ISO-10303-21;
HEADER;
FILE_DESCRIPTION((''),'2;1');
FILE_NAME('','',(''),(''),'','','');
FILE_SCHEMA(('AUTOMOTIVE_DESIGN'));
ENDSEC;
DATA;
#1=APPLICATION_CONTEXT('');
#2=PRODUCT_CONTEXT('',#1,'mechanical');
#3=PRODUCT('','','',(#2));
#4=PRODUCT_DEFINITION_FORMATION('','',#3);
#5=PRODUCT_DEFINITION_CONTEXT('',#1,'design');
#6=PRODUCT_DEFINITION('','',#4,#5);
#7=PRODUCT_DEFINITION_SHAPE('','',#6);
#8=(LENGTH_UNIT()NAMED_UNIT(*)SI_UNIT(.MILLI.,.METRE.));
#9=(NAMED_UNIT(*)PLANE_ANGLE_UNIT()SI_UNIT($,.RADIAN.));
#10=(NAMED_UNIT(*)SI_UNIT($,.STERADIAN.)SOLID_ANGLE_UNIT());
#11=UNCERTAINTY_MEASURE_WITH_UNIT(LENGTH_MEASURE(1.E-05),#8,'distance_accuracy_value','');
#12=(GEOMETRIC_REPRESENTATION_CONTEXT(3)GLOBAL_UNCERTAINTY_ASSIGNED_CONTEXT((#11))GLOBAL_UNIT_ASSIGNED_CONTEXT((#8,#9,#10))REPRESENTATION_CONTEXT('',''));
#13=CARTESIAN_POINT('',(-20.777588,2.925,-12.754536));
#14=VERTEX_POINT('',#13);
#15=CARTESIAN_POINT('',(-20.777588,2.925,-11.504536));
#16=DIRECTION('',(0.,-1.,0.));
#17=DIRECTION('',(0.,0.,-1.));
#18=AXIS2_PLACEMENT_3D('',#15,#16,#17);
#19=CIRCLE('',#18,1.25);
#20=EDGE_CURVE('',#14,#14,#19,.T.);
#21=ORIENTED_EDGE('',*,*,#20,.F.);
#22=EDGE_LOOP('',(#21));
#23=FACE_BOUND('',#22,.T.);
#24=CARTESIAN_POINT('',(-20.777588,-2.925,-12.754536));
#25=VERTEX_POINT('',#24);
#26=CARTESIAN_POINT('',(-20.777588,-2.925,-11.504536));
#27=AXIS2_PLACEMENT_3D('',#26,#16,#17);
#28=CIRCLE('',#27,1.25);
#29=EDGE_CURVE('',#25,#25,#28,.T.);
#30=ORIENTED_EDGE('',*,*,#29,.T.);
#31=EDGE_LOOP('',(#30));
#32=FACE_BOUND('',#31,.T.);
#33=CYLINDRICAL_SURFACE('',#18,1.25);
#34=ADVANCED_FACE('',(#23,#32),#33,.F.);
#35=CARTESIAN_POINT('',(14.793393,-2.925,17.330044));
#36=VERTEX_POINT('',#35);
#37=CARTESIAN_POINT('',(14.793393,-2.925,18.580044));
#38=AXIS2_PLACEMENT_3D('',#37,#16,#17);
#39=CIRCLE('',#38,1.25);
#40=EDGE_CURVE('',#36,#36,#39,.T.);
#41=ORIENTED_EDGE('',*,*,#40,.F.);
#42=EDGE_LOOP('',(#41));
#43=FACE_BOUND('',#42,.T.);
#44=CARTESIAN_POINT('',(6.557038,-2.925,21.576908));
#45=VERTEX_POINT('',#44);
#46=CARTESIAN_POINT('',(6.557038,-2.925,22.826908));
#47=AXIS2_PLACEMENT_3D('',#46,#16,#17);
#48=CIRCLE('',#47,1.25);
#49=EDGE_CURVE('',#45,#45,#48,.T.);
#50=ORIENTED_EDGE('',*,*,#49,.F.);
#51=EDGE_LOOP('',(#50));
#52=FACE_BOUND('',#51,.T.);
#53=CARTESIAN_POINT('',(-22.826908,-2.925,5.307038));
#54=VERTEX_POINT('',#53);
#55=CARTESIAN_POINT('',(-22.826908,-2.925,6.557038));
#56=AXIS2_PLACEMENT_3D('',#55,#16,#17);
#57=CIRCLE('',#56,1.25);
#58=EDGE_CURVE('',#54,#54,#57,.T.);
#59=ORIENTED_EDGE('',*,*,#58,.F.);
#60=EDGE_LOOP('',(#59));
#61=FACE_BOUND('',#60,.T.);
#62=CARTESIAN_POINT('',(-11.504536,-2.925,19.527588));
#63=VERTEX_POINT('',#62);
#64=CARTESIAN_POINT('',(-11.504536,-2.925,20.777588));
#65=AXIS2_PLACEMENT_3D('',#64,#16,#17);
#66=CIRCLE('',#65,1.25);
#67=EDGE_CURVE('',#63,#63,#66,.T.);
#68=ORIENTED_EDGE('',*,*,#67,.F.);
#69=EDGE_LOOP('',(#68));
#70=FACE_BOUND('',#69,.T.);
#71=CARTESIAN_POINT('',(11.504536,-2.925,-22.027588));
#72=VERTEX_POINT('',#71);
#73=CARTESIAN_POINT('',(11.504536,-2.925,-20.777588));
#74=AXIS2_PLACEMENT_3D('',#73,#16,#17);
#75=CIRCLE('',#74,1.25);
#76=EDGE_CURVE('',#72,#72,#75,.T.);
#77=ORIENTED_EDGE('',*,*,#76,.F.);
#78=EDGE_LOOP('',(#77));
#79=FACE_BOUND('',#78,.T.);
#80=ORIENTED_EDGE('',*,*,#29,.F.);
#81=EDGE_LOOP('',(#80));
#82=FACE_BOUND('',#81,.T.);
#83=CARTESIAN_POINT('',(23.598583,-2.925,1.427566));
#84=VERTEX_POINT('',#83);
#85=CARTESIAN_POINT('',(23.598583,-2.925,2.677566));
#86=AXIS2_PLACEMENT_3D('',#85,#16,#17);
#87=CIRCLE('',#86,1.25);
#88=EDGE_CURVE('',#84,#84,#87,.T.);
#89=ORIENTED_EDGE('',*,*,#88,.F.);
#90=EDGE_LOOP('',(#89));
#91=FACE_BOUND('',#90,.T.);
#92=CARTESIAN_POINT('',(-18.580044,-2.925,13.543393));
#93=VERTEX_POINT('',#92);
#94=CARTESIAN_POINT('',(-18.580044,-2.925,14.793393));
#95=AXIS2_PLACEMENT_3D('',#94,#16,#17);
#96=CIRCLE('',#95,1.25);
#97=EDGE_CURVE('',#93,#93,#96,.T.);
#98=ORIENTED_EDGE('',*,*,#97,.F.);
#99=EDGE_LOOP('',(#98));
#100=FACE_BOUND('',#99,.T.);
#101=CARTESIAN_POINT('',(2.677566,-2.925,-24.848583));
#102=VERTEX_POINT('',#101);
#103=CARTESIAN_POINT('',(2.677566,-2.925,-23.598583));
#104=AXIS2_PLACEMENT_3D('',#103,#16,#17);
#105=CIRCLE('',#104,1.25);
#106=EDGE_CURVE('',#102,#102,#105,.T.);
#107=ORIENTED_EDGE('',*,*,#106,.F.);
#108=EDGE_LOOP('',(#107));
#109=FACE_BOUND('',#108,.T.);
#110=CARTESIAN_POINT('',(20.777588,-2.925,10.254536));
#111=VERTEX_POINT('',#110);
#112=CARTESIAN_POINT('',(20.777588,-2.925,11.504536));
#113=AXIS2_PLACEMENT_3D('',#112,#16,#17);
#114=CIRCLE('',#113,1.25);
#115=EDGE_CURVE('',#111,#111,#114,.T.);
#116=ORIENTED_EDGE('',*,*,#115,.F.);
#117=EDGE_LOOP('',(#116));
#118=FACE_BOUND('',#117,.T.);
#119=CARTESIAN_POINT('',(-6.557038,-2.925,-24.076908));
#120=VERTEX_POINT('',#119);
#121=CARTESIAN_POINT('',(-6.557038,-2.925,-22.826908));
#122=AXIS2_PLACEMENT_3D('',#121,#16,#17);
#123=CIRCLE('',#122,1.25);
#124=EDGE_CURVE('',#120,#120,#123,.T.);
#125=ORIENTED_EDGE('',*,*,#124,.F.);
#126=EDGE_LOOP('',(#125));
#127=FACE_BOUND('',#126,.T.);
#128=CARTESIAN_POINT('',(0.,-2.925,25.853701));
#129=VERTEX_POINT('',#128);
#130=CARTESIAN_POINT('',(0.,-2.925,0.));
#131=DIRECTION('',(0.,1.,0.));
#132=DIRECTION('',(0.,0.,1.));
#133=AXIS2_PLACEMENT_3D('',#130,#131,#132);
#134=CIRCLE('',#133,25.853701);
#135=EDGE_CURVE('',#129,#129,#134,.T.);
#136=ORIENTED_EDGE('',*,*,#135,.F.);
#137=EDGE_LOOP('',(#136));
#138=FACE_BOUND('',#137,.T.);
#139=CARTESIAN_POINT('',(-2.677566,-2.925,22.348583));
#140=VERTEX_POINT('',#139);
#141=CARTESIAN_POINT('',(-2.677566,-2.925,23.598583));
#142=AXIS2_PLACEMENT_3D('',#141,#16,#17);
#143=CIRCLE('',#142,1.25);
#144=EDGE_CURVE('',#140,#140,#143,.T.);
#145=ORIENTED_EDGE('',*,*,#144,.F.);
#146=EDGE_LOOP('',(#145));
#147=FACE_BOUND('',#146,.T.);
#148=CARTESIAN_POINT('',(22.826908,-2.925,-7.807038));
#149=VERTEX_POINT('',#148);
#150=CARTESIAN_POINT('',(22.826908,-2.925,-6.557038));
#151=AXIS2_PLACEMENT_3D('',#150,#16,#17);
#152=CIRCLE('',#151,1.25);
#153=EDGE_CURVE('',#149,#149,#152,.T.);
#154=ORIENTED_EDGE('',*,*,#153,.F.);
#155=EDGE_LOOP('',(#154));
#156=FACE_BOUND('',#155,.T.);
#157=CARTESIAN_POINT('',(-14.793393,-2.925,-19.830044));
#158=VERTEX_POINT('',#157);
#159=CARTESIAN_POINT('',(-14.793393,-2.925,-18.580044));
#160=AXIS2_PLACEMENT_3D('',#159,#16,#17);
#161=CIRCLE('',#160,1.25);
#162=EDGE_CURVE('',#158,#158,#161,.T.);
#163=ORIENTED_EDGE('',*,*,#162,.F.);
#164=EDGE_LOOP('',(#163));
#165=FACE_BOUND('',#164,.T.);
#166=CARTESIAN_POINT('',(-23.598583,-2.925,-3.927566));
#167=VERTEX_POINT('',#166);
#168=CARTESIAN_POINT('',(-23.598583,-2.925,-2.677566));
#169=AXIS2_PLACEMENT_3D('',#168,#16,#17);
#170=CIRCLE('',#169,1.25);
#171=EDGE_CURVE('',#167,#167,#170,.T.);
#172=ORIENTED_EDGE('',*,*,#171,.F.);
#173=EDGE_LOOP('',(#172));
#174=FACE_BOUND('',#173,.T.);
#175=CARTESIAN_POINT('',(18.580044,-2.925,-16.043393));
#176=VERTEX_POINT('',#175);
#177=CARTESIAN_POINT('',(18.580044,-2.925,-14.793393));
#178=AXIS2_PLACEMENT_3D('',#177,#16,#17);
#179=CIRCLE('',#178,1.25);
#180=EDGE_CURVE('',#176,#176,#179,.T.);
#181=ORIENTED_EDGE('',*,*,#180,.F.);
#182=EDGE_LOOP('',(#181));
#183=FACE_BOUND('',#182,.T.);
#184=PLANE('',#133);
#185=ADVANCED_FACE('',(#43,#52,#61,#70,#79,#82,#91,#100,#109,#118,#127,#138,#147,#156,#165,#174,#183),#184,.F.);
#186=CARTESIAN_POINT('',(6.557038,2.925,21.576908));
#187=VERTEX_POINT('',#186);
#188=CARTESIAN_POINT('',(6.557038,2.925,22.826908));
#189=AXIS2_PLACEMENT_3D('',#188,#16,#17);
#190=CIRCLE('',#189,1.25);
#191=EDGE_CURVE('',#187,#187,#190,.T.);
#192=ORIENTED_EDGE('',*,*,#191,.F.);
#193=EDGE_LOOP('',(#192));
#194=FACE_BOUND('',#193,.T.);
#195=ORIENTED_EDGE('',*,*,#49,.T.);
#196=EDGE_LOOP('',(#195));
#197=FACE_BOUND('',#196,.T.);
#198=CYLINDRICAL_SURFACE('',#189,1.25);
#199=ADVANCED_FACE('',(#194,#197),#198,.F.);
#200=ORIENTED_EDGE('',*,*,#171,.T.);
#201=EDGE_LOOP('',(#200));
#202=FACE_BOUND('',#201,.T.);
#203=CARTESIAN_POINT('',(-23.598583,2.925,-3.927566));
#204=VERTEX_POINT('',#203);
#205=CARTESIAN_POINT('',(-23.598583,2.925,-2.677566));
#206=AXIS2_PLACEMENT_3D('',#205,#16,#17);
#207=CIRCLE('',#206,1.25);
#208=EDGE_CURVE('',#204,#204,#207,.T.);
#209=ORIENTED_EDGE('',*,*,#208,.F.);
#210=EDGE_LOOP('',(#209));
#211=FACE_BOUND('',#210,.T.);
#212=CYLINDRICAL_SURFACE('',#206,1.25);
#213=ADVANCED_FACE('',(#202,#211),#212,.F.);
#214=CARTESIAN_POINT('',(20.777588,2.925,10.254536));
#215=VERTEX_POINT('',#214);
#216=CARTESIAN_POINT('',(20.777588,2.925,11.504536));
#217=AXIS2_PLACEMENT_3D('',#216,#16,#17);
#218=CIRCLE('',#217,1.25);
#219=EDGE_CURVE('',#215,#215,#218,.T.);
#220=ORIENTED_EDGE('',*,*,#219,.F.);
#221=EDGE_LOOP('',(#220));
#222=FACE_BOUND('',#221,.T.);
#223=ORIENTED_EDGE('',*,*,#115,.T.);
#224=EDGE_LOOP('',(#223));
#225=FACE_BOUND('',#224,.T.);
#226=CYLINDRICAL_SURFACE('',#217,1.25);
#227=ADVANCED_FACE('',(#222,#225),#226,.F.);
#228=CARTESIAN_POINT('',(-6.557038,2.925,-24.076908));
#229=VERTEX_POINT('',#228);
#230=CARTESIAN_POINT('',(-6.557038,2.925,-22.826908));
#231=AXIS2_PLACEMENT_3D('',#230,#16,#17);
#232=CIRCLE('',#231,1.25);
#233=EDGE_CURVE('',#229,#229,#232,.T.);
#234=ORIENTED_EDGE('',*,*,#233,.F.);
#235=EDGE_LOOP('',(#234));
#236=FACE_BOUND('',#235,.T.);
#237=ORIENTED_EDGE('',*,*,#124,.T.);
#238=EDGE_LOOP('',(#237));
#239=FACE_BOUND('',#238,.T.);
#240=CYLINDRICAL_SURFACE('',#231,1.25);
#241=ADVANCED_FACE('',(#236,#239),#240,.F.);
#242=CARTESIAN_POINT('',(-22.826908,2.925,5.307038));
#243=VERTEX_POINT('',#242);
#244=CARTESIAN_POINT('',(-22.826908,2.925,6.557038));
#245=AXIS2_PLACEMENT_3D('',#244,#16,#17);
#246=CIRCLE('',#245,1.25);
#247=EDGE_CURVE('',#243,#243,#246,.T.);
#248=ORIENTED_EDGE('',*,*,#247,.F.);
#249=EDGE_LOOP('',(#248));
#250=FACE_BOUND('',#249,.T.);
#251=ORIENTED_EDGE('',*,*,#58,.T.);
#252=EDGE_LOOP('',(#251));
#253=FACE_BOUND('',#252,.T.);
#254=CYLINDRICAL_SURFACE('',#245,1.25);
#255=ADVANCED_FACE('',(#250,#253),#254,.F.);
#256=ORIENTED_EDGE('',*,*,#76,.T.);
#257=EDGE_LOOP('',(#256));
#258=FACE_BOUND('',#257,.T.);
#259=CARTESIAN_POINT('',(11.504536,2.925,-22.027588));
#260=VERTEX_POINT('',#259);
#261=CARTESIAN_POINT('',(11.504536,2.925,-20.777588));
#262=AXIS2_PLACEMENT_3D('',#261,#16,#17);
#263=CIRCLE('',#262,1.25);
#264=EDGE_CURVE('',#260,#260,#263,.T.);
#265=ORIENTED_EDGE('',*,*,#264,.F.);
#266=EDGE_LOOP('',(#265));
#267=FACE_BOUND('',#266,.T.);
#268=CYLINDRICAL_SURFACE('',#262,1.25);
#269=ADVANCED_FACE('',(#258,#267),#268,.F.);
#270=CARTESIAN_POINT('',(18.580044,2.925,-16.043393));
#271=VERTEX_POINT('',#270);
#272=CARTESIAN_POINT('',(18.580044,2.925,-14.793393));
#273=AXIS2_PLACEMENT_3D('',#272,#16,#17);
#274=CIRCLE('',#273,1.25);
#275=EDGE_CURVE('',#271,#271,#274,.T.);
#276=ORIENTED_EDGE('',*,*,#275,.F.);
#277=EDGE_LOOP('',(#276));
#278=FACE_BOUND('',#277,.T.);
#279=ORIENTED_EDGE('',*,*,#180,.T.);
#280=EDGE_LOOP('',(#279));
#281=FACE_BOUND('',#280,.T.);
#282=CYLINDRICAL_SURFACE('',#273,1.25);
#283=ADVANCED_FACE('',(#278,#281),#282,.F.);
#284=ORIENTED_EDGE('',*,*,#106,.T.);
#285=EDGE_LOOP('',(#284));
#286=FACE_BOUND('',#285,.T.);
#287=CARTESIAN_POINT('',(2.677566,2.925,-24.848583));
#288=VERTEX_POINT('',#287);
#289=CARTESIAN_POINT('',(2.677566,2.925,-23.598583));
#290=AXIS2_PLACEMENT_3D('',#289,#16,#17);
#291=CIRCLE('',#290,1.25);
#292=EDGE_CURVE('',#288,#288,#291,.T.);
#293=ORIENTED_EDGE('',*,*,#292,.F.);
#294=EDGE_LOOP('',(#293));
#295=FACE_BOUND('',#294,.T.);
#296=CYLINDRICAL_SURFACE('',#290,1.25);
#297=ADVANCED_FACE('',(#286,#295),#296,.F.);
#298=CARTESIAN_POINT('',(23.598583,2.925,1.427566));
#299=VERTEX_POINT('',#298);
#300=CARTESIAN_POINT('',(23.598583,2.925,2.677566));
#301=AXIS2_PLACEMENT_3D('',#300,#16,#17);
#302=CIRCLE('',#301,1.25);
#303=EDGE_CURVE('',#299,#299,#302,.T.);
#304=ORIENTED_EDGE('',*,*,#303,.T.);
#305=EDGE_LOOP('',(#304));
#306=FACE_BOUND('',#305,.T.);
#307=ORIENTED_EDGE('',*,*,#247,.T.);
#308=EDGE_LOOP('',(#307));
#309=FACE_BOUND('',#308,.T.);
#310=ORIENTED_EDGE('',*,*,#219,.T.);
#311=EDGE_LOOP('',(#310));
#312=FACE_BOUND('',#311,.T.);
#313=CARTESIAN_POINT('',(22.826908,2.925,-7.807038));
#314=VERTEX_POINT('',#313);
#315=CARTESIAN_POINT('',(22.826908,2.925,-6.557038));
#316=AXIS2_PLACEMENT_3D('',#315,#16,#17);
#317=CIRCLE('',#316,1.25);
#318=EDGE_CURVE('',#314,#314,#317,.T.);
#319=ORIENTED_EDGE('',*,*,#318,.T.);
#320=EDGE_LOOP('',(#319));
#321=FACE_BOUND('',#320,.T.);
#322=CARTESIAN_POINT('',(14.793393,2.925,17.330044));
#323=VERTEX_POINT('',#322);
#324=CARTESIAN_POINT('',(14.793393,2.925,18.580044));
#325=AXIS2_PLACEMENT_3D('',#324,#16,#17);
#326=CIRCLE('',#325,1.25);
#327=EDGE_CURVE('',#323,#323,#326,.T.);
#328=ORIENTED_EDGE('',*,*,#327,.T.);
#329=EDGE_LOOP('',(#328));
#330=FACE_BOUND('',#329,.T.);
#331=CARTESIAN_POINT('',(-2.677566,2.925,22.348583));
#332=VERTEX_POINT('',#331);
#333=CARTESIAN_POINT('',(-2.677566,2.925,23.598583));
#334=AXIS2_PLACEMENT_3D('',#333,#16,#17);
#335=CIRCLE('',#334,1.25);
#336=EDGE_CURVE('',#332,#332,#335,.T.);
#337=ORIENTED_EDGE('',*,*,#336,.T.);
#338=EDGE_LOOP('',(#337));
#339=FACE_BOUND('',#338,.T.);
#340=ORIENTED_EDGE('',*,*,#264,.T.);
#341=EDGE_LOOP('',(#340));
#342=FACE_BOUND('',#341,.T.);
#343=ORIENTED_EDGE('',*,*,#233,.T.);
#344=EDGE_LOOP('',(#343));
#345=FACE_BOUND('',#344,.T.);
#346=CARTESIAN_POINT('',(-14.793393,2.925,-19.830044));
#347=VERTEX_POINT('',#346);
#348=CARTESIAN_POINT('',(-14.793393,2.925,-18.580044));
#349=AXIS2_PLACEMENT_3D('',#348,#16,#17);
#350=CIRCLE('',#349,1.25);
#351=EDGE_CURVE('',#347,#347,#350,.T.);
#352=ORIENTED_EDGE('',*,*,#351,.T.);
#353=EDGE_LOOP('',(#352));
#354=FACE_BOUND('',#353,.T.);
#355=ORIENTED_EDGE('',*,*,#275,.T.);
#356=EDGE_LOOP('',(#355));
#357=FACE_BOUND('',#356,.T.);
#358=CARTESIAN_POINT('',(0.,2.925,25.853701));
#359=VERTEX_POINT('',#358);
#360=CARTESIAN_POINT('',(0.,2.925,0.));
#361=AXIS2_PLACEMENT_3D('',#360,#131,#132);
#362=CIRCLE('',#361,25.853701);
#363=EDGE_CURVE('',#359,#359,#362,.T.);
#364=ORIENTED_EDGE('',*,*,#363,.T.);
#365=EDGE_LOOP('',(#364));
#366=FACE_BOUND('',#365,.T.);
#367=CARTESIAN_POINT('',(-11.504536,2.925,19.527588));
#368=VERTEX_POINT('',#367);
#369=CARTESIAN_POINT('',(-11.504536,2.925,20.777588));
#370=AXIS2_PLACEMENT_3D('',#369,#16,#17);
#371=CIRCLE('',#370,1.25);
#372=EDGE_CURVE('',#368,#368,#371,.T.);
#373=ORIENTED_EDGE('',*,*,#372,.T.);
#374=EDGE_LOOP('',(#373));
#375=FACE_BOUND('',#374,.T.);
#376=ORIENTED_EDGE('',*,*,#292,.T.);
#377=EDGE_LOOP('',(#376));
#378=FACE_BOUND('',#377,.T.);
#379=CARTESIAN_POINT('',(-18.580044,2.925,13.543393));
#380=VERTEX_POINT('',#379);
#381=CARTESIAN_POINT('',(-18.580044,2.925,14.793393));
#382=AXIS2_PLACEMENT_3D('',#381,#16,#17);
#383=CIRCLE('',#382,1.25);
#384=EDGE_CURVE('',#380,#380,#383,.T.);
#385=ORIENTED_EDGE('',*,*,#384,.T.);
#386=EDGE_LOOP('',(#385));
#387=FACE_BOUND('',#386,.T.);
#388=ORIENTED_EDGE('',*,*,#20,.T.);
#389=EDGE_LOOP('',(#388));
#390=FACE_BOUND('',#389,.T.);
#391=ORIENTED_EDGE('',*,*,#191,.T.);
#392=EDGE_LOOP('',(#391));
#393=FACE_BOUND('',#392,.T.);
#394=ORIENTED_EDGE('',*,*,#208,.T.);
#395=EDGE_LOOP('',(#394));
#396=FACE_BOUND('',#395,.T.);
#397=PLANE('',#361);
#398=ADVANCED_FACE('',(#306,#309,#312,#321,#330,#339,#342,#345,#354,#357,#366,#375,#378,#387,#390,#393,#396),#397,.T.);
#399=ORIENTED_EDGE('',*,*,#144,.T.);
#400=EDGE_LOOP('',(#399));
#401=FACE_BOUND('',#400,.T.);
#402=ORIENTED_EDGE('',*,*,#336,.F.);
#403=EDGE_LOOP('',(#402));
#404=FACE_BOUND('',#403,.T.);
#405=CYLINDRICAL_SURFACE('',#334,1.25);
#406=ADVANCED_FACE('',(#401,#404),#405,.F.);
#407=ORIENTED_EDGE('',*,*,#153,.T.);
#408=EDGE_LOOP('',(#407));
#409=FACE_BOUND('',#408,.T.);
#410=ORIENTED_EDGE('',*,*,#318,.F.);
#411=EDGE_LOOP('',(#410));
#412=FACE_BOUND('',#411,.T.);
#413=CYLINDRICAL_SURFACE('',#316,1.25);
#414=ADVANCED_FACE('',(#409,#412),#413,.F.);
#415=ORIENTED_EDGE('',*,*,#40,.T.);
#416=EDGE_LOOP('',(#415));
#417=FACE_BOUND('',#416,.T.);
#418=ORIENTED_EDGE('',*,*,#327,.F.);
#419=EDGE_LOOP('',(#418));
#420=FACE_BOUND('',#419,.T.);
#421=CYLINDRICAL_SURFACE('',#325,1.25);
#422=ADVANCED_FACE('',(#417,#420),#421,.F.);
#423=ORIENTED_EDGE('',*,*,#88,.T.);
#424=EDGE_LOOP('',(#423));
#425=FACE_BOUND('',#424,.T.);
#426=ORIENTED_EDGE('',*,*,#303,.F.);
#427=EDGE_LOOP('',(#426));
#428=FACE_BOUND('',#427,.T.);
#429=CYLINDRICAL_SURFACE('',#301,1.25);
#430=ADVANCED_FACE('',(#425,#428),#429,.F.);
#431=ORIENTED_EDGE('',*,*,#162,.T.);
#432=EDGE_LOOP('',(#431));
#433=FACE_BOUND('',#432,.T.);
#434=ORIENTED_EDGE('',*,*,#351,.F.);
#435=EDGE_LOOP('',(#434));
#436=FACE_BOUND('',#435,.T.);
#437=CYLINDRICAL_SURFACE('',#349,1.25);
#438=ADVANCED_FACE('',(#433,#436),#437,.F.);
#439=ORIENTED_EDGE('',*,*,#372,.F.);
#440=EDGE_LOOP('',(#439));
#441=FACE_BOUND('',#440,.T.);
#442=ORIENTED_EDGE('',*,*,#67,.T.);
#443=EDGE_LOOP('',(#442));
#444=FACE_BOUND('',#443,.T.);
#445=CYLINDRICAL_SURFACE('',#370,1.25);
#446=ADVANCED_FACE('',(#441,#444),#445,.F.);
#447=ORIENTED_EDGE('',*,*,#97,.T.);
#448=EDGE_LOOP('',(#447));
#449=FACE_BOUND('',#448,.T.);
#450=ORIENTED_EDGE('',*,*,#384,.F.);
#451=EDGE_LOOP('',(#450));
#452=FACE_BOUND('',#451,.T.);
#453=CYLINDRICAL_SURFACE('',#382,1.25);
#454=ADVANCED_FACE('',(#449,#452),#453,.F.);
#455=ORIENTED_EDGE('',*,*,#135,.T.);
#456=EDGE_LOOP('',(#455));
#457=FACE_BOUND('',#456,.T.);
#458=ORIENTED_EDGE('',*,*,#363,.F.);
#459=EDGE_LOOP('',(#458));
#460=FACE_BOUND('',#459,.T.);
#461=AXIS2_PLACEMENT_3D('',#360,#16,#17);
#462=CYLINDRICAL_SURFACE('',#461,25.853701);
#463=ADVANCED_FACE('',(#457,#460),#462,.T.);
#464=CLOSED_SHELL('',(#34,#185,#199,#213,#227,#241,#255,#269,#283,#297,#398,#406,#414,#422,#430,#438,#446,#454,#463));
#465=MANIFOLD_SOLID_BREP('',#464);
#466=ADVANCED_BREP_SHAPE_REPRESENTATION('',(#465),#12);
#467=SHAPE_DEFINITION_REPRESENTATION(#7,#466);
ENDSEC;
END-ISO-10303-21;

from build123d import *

# Parameters (mm, degrees)
SKETCH1_R           = 25.85370091
BOSS_EXTRUDE1_DEPTH = 2.925
CUT_EXTRUDE1_DEPTH  = 38.02769506


with BuildPart() as part:
    # Sketch1 → Boss-Extrude1 (new, symmetric)
    with BuildSketch(Plane(origin=(0, 0, 0), x_dir=(1, 0, 0), z_dir=(0, 1, 0))):
        with Locations(Location((0, 0, 0), (0, 0, 270))):
            Circle(SKETCH1_R)
    extrude(amount=BOSS_EXTRUDE1_DEPTH, both=True)

    # Sketch2 → Cut-Extrude1 (cut, through all)
    with BuildSketch(Plane.XZ.offset(2.925)):
        with BuildLine():
            ThreePointArc((22.019698731, -5.602620776), (21.872491194, -7.364247848), (23.634118266, -7.511455385))
            ThreePointArc((23.634118266, -7.511455385), (23.781325803, -5.749828313), (22.019698731, -5.602620776))
        make_face()
        with BuildLine():
            ThreePointArc((22.791373624, 3.631983723), (22.644166087, 1.87035665), (24.405793159, 1.723149114))
            ThreePointArc((24.405793159, 1.723149114), (24.553000696, 3.484776186), (22.791373624, 3.631983723))
        make_face()
        with BuildLine():
            ThreePointArc((17.772833946, -13.838975667), (17.625626409, -15.600602739), (19.387253481, -15.747810276))
            ThreePointArc((19.387253481, -15.747810276), (19.534461018, -13.986183203), (17.772833946, -13.838975667))
        make_face()
        with BuildLine():
            ThreePointArc((10.697325934, -19.82317058), (10.550118397, -21.584797652), (12.311745469, -21.732005189))
            ThreePointArc((12.311745469, -21.732005189), (12.458953006, -19.970378117), (10.697325934, -19.82317058))
        make_face()
        with BuildLine():
            ThreePointArc((1.87035665, -22.644166087), (1.723149114, -24.405793159), (3.484776186, -24.553000696))
            ThreePointArc((3.484776186, -24.553000696), (3.631983723, -22.791373624), (1.87035665, -22.644166087))
        make_face()
        with BuildLine():
            ThreePointArc((-7.364247848, -21.872491194), (-7.511455385, -23.634118266), (-5.749828313, -23.781325803))
            ThreePointArc((-5.749828313, -23.781325803), (-5.602620776, -22.019698731), (-7.364247848, -21.872491194))
        make_face()
        with BuildLine():
            ThreePointArc((-15.600602739, -17.625626409), (-15.747810276, -19.387253481), (-13.986183203, -19.534461018))
            ThreePointArc((-13.986183203, -19.534461018), (-13.838975667, -17.772833946), (-15.600602739, -17.625626409))
        make_face()
        with BuildLine():
            ThreePointArc((-21.584797652, -10.550118397), (-21.732005189, -12.311745469), (-19.970378117, -12.458953006))
            ThreePointArc((-19.970378117, -12.458953006), (-19.82317058, -10.697325934), (-21.584797652, -10.550118397))
        make_face()
        with BuildLine():
            ThreePointArc((-24.405793159, -1.723149114), (-24.553000696, -3.484776186), (-22.791373624, -3.631983723))
            ThreePointArc((-22.791373624, -3.631983723), (-22.644166087, -1.87035665), (-24.405793159, -1.723149114))
        make_face()
        with BuildLine():
            ThreePointArc((-23.634118266, 7.511455385), (-23.781325803, 5.749828313), (-22.019698731, 5.602620776))
            ThreePointArc((-22.019698731, 5.602620776), (-21.872491194, 7.364247848), (-23.634118266, 7.511455385))
        make_face()
        with BuildLine():
            ThreePointArc((-19.387253481, 15.747810276), (-19.534461018, 13.986183203), (-17.772833946, 13.838975667))
            ThreePointArc((-17.772833946, 13.838975667), (-17.625626409, 15.600602739), (-19.387253481, 15.747810276))
        make_face()
        with BuildLine():
            ThreePointArc((-12.311745469, 21.732005189), (-12.458953006, 19.970378117), (-10.697325934, 19.82317058))
            ThreePointArc((-10.697325934, 19.82317058), (-10.550118397, 21.584797652), (-12.311745469, 21.732005189))
        make_face()
        with BuildLine():
            ThreePointArc((-3.484776186, 24.553000696), (-3.631983723, 22.791373624), (-1.87035665, 22.644166087))
            ThreePointArc((-1.87035665, 22.644166087), (-1.723149114, 24.405793159), (-3.484776186, 24.553000696))
        make_face()
        with BuildLine():
            ThreePointArc((5.749828313, 23.781325803), (5.602620776, 22.019698731), (7.364247848, 21.872491194))
            ThreePointArc((7.364247848, 21.872491194), (7.511455385, 23.634118266), (5.749828313, 23.781325803))
        make_face()
        with BuildLine():
            ThreePointArc((19.970378117, 12.458953006), (19.82317058, 10.697325934), (21.584797652, 10.550118397))
            ThreePointArc((21.584797652, 10.550118397), (21.732005189, 12.311745469), (19.970378117, 12.458953006))
        make_face()
        with BuildLine():
            ThreePointArc((13.986183203, 19.534461018), (13.838975667, 17.772833946), (15.600602739, 17.625626409))
            ThreePointArc((15.600602739, 17.625626409), (15.747810276, 19.387253481), (13.986183203, 19.534461018))
        make_face()
    extrude(amount=-CUT_EXTRUDE1_DEPTH, mode=Mode.SUBTRACT)


solid = part.part
